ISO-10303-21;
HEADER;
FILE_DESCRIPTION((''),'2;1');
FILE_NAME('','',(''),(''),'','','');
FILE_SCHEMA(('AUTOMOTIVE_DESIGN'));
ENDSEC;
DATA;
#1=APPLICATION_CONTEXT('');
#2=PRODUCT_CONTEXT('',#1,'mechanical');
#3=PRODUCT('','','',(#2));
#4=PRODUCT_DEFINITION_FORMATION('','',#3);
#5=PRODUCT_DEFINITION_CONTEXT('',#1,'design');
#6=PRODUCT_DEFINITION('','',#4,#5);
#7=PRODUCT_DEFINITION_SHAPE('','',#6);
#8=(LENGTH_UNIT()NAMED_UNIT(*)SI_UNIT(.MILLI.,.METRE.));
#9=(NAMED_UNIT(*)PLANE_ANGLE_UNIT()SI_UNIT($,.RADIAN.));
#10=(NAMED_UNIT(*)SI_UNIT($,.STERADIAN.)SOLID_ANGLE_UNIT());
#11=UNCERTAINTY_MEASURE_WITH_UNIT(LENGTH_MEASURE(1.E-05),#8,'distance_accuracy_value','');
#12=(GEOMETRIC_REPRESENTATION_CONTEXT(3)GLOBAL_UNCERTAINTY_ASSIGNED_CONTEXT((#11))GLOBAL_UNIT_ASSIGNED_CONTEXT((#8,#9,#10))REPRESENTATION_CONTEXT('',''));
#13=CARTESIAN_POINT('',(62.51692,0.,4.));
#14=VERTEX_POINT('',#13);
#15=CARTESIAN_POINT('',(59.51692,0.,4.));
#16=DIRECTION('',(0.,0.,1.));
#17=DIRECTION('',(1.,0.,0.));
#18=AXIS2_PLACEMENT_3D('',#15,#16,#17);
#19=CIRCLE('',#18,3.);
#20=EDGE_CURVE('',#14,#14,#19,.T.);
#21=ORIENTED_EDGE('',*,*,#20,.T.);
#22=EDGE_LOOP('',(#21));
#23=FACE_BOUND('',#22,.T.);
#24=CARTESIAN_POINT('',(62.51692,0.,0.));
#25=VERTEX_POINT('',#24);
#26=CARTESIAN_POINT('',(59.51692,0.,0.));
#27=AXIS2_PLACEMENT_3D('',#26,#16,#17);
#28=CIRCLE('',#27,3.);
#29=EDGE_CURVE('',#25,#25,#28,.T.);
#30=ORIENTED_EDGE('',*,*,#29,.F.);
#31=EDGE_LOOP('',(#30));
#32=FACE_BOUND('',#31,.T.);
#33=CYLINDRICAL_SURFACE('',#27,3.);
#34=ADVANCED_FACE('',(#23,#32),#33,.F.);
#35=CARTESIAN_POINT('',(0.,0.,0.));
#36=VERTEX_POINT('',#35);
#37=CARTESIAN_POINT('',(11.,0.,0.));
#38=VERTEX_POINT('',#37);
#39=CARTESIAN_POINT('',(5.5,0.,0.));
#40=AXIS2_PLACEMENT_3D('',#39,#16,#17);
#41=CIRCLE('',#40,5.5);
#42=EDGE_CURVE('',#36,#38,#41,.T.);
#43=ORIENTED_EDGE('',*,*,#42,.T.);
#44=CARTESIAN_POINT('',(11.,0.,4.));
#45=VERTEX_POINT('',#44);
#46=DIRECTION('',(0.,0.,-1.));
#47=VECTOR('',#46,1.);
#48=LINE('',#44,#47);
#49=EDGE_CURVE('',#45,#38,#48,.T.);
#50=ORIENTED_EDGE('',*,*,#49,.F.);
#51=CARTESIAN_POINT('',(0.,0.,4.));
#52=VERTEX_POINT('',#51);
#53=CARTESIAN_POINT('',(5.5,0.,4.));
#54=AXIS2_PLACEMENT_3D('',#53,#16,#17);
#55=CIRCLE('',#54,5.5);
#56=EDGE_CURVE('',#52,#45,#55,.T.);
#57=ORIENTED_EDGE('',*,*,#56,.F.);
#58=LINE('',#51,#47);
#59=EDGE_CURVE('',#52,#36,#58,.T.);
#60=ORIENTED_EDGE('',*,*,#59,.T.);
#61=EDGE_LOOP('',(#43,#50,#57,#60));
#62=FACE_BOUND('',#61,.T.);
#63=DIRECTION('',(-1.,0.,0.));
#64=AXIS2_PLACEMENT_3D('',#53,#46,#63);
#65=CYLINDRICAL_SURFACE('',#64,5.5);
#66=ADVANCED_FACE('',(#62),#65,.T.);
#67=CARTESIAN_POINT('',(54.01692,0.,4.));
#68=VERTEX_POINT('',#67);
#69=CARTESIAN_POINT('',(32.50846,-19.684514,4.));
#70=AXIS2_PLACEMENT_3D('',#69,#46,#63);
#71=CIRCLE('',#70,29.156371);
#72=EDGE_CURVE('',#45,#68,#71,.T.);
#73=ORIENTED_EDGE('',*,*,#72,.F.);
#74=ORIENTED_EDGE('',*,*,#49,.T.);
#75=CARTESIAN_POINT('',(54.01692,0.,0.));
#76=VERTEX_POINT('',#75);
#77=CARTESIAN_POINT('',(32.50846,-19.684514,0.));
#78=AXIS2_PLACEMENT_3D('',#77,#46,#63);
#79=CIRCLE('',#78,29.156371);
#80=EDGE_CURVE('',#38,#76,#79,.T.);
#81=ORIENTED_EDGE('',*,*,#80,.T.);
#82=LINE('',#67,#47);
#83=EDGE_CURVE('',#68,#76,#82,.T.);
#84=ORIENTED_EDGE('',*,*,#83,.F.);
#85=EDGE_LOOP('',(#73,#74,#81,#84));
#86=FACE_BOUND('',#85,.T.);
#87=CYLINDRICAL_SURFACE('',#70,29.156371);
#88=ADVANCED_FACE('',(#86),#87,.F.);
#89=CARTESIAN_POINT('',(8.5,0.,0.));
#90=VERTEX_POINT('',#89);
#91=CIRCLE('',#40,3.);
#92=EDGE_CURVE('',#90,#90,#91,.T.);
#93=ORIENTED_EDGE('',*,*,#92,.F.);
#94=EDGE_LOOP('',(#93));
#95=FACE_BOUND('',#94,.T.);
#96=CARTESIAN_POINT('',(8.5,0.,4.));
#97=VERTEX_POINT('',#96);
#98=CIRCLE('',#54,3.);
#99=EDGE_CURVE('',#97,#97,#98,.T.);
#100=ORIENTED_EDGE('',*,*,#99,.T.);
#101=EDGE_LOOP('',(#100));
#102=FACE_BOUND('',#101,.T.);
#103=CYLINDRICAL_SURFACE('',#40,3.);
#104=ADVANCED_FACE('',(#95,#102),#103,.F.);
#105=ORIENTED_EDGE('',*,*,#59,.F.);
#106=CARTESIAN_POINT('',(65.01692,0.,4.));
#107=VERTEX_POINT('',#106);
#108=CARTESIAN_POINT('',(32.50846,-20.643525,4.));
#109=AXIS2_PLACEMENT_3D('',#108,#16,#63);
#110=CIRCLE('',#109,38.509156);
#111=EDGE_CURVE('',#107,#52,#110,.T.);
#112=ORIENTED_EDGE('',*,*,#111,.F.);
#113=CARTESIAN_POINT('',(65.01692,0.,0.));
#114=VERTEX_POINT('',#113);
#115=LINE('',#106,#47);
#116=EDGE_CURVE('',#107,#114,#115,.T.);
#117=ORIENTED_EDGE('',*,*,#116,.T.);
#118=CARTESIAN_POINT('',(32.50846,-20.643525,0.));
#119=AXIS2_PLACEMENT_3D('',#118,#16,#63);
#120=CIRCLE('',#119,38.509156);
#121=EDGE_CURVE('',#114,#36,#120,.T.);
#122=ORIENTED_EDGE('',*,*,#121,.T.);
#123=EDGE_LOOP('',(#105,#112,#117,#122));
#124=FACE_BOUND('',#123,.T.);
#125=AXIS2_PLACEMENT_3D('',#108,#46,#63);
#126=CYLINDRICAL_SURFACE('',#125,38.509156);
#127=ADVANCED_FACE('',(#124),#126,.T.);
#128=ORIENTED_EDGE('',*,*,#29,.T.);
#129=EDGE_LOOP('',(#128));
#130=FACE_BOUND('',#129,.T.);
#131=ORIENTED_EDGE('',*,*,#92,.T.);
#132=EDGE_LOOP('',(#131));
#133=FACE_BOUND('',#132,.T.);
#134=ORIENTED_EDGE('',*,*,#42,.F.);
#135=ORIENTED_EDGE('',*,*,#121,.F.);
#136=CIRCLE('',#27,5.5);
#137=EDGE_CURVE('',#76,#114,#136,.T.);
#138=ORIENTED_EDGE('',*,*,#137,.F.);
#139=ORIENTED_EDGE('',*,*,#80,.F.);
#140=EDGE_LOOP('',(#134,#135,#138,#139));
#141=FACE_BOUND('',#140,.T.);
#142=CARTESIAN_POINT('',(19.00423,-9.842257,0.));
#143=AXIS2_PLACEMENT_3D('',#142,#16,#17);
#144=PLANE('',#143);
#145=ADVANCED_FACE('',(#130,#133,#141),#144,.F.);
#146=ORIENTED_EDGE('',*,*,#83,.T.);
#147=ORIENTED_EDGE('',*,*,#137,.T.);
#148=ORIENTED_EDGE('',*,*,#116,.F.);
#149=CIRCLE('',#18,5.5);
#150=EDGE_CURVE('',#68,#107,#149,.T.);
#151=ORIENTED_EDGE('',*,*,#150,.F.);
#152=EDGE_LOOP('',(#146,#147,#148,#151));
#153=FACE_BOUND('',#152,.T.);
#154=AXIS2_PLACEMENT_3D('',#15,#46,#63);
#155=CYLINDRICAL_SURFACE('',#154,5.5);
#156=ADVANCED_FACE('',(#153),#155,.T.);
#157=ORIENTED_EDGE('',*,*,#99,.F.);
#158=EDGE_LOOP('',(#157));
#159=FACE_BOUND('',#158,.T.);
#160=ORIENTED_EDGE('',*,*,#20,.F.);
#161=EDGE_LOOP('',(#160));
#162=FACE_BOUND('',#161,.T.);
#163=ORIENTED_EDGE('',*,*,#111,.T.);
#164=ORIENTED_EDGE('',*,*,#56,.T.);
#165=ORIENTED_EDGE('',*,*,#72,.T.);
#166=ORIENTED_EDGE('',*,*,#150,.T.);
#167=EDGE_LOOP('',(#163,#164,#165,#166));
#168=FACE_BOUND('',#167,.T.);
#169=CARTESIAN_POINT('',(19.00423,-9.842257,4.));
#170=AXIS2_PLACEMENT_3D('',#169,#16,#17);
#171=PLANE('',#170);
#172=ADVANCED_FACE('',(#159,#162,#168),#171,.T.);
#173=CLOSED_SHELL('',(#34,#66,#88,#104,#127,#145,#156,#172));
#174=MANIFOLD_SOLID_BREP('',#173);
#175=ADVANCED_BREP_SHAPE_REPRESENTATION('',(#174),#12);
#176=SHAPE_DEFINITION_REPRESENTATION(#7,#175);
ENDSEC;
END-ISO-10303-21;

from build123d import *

# Parameters (mm, degrees)
SALIENTE_EXTRUIR1_DEPTH = 4
CROQUIS3_R              = 3
CORTAR_EXTRUIR2_DEPTH   = 4


with BuildPart() as part:
    # Croquis1 → Saliente-Extruir1 (new body)
    with BuildSketch(Plane.XY):
        with BuildLine():
            ThreePointArc((0, 0), (32.508460057, 17.865631211), (65.016920114, 0))
            ThreePointArc((65.016920114, 0), (59.516920114, -5.5), (54.016920114, 0))
            ThreePointArc((54.016920114, 0), (32.508460057, 9.471856419), (11, 0))
            ThreePointArc((11, 0), (5.5, -5.5), (0, 0))
        make_face()
    extrude(amount=SALIENTE_EXTRUIR1_DEPTH)

    # Croquis3 → Cortar-Extruir2 (cut)
    with BuildSketch(Plane.XY.offset(4)):
        with Locations((5.5, 0)):
            Circle(CROQUIS3_R)
        with Locations((59.516920114, 0)):
            Circle(CROQUIS3_R)
    extrude(amount=-CORTAR_EXTRUIR2_DEPTH, mode=Mode.SUBTRACT)


solid = part.part
